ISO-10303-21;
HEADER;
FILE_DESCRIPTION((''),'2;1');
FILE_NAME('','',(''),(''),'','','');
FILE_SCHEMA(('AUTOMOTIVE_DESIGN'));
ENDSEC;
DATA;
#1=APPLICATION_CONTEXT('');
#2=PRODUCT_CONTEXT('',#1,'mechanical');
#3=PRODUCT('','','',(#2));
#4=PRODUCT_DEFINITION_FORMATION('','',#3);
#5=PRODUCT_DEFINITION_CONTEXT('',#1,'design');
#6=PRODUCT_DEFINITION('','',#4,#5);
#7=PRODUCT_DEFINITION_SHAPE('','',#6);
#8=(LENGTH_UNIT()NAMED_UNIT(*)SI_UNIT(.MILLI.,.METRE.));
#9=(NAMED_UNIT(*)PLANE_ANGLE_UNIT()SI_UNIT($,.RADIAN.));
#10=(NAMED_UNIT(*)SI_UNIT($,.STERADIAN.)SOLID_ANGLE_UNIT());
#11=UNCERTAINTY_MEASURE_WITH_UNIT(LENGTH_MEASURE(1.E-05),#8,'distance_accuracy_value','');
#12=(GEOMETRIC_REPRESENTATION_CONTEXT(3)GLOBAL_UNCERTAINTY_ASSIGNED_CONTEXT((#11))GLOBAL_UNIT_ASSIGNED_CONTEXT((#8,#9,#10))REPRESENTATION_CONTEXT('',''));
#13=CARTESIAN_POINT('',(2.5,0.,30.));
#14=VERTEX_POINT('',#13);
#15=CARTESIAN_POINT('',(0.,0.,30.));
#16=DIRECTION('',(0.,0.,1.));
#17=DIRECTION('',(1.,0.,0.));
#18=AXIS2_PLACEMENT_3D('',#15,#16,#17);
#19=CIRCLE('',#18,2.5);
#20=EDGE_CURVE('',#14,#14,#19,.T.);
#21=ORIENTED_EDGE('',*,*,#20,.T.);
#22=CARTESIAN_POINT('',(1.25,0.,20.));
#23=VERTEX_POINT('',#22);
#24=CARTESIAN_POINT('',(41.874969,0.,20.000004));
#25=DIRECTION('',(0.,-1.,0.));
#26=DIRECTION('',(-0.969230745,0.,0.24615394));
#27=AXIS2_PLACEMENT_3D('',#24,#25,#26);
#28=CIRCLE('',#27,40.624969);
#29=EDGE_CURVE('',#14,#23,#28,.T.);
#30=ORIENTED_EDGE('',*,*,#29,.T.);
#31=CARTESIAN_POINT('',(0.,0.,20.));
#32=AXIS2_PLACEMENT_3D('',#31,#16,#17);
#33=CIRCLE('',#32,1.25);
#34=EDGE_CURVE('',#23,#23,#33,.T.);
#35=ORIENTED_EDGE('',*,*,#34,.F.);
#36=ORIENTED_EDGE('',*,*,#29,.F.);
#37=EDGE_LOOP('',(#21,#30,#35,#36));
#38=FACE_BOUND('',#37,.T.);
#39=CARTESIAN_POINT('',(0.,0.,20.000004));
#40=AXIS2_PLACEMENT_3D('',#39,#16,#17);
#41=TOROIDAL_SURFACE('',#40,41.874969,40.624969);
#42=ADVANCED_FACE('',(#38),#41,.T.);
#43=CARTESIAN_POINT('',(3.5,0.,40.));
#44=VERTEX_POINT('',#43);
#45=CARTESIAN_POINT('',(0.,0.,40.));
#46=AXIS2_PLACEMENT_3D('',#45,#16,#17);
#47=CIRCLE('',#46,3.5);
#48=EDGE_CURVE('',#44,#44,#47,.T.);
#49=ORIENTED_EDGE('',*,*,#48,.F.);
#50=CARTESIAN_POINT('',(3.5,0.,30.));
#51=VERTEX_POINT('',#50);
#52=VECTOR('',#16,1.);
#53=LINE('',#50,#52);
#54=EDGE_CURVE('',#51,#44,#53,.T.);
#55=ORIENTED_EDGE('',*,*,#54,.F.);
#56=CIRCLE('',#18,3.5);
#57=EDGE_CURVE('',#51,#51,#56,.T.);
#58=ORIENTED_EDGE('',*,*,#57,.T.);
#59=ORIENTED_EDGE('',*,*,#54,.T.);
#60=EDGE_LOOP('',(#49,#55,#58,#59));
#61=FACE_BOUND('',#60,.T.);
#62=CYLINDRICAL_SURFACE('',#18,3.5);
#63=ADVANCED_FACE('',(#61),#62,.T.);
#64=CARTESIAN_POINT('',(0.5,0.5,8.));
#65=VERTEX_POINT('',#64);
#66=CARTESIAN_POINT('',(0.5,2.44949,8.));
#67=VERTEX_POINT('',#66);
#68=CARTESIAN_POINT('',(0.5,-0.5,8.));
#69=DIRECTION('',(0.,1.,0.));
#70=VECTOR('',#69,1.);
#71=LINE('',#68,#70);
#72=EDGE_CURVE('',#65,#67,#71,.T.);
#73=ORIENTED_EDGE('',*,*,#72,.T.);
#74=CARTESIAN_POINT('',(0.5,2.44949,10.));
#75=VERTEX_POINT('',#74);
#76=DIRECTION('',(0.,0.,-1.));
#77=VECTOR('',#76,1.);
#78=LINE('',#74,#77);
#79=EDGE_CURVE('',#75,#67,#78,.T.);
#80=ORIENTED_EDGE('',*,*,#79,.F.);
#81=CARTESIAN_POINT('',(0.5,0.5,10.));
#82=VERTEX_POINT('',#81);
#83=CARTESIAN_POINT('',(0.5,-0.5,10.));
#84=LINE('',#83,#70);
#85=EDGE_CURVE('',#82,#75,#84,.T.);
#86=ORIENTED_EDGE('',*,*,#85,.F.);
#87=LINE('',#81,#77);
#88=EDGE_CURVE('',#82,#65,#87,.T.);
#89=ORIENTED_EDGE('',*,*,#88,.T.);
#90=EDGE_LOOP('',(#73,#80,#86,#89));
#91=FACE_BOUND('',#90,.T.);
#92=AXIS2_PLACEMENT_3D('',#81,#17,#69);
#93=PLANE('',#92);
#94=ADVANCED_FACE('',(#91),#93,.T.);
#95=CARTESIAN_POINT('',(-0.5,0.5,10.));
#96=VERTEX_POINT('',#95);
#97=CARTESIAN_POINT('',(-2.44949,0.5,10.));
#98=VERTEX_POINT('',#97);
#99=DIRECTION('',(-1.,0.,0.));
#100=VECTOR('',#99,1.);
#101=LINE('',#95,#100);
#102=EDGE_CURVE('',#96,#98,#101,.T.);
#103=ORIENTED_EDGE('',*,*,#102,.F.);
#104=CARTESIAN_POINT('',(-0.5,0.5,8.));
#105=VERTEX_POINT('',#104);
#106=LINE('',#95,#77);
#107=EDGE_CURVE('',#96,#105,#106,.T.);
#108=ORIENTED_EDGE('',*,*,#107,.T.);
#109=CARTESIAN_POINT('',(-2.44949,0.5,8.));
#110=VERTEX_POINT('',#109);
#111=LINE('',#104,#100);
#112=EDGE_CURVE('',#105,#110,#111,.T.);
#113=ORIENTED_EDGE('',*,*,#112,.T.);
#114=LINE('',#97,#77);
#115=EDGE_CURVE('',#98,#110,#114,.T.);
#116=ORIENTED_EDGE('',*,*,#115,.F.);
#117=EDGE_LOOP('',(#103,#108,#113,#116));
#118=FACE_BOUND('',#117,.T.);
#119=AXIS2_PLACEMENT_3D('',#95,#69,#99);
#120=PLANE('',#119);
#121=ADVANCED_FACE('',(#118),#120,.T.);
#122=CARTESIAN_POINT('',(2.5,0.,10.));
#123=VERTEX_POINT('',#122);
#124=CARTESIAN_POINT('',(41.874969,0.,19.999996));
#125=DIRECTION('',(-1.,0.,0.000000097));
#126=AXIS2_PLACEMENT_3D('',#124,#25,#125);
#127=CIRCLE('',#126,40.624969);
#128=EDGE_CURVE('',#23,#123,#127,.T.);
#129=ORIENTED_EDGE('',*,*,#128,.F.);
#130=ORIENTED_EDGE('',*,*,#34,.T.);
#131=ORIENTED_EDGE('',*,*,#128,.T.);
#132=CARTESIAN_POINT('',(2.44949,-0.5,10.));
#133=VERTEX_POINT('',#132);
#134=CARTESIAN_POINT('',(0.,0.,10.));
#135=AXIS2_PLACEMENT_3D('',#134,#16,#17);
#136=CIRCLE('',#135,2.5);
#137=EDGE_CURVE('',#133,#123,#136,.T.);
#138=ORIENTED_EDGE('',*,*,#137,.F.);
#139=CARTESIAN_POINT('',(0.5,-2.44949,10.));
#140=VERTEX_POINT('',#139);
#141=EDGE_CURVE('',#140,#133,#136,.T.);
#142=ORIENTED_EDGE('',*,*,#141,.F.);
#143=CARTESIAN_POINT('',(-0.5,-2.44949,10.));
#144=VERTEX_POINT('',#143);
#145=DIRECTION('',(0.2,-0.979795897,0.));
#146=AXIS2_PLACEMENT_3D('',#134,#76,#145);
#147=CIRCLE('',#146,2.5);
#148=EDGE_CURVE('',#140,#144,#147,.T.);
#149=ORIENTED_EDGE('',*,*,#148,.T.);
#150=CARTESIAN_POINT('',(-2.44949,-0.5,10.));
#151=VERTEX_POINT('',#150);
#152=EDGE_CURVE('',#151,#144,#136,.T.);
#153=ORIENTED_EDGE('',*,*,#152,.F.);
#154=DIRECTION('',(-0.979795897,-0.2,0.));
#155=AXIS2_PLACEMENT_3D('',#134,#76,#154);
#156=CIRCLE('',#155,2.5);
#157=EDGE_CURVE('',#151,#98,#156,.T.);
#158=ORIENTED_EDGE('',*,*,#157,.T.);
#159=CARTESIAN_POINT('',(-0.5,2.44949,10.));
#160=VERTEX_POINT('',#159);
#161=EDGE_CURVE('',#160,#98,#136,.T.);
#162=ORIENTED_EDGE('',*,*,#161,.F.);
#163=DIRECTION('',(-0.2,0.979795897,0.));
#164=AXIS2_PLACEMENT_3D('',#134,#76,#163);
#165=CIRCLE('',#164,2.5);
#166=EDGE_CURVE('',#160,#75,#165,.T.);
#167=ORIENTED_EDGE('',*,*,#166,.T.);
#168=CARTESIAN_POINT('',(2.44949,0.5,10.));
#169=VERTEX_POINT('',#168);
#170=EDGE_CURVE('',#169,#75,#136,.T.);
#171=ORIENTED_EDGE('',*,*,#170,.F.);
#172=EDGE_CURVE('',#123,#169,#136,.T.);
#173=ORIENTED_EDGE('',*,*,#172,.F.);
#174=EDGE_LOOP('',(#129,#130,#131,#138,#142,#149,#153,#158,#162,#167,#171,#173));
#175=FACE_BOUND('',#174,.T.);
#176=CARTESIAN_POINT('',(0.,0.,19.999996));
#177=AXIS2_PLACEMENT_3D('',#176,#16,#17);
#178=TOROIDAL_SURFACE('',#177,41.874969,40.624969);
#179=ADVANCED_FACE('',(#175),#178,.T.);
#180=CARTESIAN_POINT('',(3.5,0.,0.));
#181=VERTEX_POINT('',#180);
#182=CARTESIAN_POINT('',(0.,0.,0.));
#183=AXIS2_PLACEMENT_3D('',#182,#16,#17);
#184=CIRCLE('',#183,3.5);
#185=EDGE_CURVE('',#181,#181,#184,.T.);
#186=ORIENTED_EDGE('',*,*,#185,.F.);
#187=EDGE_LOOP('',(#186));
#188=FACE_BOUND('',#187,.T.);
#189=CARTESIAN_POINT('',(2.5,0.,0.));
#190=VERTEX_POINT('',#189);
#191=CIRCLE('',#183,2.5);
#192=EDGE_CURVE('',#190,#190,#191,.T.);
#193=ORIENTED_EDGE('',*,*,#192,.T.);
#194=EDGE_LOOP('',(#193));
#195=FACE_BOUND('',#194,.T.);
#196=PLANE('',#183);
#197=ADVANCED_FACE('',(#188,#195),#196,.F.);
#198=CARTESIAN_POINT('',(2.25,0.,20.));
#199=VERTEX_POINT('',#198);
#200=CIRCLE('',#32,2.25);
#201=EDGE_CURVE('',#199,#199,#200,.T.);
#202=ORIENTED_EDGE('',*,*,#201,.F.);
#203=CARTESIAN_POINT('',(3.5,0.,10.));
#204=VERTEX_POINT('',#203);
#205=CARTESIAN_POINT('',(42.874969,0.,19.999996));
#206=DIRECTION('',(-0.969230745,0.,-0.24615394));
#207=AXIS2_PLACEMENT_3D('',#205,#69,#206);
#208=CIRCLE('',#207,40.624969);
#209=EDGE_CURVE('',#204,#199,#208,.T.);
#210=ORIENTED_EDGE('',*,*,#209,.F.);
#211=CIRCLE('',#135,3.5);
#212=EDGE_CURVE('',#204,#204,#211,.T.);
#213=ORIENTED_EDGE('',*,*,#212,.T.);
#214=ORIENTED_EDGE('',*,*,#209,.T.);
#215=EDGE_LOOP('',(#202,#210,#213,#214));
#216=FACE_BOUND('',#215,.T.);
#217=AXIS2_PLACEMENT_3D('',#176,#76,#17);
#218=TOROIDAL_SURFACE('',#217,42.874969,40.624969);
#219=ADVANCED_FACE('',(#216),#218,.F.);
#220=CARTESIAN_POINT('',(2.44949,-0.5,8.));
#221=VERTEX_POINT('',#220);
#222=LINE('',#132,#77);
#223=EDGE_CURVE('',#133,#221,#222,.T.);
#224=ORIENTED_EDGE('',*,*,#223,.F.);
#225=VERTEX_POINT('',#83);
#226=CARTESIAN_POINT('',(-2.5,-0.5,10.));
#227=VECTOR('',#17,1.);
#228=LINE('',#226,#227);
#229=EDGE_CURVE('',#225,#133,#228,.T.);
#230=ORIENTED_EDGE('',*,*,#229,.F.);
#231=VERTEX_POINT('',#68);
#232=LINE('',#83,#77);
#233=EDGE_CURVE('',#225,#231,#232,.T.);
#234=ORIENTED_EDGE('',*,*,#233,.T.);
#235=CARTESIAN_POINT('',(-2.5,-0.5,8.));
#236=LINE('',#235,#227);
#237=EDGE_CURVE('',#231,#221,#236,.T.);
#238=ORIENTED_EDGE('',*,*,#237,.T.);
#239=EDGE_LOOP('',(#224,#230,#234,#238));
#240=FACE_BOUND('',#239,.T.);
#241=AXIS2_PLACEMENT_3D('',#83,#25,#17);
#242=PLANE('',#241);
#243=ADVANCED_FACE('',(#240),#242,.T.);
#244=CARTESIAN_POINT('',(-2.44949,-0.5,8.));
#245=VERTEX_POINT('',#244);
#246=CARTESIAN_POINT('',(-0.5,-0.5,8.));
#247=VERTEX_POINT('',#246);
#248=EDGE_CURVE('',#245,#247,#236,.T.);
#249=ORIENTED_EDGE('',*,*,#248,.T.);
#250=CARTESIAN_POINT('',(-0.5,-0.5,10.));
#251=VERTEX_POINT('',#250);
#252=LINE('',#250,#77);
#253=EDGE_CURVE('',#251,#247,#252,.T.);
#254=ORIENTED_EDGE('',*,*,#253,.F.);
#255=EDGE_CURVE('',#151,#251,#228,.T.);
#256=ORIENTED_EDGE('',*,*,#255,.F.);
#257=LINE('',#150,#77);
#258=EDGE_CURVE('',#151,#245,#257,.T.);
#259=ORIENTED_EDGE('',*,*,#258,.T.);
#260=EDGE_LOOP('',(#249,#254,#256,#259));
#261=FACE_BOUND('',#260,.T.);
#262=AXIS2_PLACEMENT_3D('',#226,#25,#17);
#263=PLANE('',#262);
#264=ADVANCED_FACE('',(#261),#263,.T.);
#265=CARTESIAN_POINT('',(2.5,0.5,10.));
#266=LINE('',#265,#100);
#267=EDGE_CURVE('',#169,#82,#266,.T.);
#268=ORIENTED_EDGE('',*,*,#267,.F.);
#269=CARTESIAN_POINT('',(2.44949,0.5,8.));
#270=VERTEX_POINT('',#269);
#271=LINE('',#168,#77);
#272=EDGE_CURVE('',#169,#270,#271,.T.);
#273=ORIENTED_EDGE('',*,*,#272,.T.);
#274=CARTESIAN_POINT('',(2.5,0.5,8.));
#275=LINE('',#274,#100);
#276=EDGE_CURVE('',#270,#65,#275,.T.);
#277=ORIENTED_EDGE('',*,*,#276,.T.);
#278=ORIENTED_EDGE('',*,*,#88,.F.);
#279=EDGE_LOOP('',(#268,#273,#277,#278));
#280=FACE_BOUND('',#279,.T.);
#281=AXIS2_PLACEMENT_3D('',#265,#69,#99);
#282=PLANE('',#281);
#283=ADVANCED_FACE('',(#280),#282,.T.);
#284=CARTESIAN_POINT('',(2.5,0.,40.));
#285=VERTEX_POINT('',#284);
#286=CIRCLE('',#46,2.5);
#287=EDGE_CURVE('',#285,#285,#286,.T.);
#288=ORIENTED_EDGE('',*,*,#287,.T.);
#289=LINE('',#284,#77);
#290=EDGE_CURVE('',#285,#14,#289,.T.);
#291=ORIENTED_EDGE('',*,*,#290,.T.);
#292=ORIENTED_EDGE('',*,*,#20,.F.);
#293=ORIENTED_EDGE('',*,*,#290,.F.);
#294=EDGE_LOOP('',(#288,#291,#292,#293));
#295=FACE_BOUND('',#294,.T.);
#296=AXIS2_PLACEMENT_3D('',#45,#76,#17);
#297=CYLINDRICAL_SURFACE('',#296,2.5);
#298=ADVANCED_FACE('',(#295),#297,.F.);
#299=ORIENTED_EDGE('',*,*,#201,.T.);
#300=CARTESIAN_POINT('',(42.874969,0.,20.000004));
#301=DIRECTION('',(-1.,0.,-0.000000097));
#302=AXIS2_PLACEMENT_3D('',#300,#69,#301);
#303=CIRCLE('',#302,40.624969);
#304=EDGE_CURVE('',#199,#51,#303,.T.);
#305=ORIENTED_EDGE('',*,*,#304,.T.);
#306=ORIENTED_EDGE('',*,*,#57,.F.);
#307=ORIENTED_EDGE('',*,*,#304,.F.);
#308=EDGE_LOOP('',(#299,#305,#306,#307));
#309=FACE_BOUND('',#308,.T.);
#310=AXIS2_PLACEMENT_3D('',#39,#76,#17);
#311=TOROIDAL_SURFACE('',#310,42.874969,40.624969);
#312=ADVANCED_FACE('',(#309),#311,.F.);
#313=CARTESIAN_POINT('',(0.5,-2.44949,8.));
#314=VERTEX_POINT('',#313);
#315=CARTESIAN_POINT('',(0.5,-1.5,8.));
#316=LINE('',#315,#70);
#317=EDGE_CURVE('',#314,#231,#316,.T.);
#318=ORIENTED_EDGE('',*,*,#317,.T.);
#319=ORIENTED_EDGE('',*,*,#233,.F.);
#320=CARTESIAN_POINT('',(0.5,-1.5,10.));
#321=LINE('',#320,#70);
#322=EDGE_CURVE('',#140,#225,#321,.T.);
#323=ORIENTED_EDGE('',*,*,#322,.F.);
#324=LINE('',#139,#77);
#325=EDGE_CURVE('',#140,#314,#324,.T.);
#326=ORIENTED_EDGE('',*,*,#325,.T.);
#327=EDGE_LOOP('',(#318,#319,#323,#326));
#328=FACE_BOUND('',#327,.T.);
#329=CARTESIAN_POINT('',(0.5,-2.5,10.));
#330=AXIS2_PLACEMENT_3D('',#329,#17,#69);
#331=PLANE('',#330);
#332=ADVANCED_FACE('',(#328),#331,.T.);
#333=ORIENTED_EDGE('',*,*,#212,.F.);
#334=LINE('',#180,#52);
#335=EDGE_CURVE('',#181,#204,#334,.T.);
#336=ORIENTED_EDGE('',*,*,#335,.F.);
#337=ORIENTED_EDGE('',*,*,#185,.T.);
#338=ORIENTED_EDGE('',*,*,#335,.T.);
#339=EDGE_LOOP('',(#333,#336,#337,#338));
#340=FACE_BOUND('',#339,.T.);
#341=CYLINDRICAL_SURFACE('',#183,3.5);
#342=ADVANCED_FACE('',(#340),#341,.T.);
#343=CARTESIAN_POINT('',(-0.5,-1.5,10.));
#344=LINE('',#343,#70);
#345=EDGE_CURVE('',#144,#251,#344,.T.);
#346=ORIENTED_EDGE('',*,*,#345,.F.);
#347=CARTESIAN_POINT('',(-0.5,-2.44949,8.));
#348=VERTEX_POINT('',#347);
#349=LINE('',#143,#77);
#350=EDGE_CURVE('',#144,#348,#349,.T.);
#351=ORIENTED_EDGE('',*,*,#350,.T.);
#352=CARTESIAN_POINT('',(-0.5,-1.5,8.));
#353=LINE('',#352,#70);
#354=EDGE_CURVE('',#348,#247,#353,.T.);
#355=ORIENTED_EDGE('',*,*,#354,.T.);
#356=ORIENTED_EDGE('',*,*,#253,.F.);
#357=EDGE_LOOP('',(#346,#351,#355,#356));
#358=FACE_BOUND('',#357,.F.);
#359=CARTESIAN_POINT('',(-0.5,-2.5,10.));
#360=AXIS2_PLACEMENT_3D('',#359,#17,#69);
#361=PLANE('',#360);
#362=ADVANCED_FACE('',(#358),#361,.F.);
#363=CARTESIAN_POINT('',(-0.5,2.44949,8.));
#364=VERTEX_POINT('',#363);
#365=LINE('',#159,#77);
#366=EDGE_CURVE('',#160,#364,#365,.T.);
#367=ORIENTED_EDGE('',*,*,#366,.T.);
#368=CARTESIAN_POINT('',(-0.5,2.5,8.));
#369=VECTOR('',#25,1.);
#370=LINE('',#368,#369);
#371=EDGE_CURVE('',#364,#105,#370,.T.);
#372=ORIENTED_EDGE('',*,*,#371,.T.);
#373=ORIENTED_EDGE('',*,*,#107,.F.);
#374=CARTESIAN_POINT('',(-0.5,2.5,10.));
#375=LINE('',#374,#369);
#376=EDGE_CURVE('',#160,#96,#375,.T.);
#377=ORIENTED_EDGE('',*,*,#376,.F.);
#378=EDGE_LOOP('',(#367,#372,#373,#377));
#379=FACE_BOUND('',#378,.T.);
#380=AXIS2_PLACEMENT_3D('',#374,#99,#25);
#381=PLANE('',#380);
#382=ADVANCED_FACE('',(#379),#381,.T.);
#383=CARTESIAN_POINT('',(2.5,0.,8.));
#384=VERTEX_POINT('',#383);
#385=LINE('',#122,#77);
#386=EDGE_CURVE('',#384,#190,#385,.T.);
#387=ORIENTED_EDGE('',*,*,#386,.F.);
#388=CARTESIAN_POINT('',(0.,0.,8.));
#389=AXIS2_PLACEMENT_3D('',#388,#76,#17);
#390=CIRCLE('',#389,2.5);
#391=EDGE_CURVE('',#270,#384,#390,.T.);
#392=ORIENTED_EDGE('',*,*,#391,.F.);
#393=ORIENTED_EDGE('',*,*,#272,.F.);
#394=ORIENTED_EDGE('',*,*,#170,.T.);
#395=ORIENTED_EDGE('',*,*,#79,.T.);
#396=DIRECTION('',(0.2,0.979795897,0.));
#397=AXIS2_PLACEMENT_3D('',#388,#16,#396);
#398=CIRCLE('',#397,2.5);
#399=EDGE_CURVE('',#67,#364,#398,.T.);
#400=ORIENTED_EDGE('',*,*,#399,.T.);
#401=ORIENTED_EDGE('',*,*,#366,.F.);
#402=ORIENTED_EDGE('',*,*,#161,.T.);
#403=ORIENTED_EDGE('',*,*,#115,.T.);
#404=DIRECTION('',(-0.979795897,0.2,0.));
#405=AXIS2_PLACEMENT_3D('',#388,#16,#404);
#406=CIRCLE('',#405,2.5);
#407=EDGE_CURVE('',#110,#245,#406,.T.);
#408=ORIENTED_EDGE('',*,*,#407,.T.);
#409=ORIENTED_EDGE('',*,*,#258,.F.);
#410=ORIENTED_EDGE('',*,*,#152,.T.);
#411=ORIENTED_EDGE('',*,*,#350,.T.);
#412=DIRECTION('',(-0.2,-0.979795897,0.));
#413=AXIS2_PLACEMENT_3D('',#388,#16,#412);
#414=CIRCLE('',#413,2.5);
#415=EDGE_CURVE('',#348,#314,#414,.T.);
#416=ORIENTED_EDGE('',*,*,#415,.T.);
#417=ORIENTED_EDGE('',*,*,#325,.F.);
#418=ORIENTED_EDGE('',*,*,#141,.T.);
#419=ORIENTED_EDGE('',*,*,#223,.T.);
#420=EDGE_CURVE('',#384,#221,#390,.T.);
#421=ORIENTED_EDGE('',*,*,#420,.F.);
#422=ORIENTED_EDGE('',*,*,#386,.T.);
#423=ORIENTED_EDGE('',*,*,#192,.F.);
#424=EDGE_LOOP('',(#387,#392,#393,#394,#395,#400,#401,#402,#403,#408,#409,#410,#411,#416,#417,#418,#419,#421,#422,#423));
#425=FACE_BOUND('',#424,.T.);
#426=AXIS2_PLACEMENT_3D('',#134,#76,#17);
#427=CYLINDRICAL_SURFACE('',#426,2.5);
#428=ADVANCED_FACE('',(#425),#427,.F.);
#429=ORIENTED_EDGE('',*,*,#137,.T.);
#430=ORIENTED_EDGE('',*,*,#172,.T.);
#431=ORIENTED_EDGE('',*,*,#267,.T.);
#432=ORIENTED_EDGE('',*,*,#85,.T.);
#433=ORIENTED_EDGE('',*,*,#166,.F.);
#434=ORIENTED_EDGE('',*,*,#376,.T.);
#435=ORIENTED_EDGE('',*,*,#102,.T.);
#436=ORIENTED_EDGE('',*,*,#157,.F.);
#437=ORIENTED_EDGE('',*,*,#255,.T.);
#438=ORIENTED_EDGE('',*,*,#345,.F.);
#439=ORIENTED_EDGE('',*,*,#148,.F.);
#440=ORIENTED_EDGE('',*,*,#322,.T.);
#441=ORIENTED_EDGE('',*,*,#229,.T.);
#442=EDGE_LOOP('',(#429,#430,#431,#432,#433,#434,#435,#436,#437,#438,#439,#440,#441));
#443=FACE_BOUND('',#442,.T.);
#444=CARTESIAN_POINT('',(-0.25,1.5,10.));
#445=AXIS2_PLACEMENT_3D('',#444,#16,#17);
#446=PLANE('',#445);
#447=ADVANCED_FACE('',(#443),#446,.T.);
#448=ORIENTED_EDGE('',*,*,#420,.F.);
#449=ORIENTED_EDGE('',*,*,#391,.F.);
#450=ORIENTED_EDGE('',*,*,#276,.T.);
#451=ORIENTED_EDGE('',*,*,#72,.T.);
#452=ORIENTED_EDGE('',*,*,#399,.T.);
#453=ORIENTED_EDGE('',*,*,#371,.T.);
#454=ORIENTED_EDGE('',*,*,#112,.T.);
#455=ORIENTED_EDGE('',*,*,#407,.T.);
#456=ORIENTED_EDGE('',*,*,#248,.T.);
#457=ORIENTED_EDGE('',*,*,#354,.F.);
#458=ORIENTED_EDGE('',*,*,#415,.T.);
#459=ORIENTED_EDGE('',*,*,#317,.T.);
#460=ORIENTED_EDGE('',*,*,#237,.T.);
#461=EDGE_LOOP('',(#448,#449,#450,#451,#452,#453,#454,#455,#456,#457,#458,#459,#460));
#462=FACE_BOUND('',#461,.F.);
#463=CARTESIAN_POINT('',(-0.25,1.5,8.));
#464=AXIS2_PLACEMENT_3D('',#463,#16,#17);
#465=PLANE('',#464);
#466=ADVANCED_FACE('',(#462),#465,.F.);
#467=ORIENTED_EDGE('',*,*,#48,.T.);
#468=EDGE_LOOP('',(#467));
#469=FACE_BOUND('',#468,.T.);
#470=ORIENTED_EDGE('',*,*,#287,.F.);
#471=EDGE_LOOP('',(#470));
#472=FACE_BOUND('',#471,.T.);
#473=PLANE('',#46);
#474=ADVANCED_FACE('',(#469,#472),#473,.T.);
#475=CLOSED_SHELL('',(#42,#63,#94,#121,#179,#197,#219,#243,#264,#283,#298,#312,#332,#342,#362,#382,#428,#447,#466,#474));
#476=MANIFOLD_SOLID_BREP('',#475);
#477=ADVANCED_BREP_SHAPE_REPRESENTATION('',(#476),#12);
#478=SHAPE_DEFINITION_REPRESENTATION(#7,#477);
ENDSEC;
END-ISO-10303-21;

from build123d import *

# Parameters (mm, degrees)
F2_W     = 0.5
F2_H     = 2
F2_W_2   = 1
F3_DEPTH = 2


with BuildPart() as f3:
    # F2 (on offset) → F3 (new body)
    with BuildSketch(Plane.XY.offset(10)):
        with Locations((-0.25, 1.5)):
            Rectangle(F2_W, F2_H)
        with Locations((0.25, 1.5)):
            Rectangle(F2_W, F2_H)
        Polygon((0.5, 0.5), (0, 0.5), (-0.5, 0.5), (-0.5, 0), (-0.5, -0.5), (0.5, -0.5), (0.5, 0), align=None)
        Polygon((2.5, 0.5), (0.5, 0.5), (0.5, 0), (0.5, -0.5), (2.5, -0.5), align=None)
        Polygon((-0.5, 0), (-0.5, 0.5), (-2.5, 0.5), (-2.5, -0.5), (-0.5, -0.5), align=None)
        with Locations((0, -1.5)):
            Rectangle(F2_W_2, F2_H)
    extrude(amount=-F3_DEPTH)

    # F0 (on Front) → F4 (revolve)
    with BuildSketch(Plane.XZ):
        with BuildLine():
            ThreePointArc((2.5, 30), (1.563711, 25.038911), (1.25, 20))
            Line((1.25, 20), (2.25, 20))
            ThreePointArc((2.25, 20), (2.563711, 25.038911), (3.5, 30))
            Line((3.5, 30), (3.5, 40))
            Line((3.5, 40), (2.5, 40))
            Line((2.5, 40), (2.5, 30))
        make_face()
        with BuildLine():
            Line((2.5, 10), (2.5, 0))
            Line((2.5, 0), (3.5, 0))
            Line((3.5, 0), (3.5, 10))
            ThreePointArc((3.5, 10), (2.563711, 14.961089), (2.25, 20))
            Line((2.25, 20), (1.25, 20))
            ThreePointArc((1.25, 20), (1.563711, 14.961089), (2.5, 10))
        make_face()
    revolve(axis=Axis((0, 0, 20), (0, 0, 1)))


solid = f3.part
